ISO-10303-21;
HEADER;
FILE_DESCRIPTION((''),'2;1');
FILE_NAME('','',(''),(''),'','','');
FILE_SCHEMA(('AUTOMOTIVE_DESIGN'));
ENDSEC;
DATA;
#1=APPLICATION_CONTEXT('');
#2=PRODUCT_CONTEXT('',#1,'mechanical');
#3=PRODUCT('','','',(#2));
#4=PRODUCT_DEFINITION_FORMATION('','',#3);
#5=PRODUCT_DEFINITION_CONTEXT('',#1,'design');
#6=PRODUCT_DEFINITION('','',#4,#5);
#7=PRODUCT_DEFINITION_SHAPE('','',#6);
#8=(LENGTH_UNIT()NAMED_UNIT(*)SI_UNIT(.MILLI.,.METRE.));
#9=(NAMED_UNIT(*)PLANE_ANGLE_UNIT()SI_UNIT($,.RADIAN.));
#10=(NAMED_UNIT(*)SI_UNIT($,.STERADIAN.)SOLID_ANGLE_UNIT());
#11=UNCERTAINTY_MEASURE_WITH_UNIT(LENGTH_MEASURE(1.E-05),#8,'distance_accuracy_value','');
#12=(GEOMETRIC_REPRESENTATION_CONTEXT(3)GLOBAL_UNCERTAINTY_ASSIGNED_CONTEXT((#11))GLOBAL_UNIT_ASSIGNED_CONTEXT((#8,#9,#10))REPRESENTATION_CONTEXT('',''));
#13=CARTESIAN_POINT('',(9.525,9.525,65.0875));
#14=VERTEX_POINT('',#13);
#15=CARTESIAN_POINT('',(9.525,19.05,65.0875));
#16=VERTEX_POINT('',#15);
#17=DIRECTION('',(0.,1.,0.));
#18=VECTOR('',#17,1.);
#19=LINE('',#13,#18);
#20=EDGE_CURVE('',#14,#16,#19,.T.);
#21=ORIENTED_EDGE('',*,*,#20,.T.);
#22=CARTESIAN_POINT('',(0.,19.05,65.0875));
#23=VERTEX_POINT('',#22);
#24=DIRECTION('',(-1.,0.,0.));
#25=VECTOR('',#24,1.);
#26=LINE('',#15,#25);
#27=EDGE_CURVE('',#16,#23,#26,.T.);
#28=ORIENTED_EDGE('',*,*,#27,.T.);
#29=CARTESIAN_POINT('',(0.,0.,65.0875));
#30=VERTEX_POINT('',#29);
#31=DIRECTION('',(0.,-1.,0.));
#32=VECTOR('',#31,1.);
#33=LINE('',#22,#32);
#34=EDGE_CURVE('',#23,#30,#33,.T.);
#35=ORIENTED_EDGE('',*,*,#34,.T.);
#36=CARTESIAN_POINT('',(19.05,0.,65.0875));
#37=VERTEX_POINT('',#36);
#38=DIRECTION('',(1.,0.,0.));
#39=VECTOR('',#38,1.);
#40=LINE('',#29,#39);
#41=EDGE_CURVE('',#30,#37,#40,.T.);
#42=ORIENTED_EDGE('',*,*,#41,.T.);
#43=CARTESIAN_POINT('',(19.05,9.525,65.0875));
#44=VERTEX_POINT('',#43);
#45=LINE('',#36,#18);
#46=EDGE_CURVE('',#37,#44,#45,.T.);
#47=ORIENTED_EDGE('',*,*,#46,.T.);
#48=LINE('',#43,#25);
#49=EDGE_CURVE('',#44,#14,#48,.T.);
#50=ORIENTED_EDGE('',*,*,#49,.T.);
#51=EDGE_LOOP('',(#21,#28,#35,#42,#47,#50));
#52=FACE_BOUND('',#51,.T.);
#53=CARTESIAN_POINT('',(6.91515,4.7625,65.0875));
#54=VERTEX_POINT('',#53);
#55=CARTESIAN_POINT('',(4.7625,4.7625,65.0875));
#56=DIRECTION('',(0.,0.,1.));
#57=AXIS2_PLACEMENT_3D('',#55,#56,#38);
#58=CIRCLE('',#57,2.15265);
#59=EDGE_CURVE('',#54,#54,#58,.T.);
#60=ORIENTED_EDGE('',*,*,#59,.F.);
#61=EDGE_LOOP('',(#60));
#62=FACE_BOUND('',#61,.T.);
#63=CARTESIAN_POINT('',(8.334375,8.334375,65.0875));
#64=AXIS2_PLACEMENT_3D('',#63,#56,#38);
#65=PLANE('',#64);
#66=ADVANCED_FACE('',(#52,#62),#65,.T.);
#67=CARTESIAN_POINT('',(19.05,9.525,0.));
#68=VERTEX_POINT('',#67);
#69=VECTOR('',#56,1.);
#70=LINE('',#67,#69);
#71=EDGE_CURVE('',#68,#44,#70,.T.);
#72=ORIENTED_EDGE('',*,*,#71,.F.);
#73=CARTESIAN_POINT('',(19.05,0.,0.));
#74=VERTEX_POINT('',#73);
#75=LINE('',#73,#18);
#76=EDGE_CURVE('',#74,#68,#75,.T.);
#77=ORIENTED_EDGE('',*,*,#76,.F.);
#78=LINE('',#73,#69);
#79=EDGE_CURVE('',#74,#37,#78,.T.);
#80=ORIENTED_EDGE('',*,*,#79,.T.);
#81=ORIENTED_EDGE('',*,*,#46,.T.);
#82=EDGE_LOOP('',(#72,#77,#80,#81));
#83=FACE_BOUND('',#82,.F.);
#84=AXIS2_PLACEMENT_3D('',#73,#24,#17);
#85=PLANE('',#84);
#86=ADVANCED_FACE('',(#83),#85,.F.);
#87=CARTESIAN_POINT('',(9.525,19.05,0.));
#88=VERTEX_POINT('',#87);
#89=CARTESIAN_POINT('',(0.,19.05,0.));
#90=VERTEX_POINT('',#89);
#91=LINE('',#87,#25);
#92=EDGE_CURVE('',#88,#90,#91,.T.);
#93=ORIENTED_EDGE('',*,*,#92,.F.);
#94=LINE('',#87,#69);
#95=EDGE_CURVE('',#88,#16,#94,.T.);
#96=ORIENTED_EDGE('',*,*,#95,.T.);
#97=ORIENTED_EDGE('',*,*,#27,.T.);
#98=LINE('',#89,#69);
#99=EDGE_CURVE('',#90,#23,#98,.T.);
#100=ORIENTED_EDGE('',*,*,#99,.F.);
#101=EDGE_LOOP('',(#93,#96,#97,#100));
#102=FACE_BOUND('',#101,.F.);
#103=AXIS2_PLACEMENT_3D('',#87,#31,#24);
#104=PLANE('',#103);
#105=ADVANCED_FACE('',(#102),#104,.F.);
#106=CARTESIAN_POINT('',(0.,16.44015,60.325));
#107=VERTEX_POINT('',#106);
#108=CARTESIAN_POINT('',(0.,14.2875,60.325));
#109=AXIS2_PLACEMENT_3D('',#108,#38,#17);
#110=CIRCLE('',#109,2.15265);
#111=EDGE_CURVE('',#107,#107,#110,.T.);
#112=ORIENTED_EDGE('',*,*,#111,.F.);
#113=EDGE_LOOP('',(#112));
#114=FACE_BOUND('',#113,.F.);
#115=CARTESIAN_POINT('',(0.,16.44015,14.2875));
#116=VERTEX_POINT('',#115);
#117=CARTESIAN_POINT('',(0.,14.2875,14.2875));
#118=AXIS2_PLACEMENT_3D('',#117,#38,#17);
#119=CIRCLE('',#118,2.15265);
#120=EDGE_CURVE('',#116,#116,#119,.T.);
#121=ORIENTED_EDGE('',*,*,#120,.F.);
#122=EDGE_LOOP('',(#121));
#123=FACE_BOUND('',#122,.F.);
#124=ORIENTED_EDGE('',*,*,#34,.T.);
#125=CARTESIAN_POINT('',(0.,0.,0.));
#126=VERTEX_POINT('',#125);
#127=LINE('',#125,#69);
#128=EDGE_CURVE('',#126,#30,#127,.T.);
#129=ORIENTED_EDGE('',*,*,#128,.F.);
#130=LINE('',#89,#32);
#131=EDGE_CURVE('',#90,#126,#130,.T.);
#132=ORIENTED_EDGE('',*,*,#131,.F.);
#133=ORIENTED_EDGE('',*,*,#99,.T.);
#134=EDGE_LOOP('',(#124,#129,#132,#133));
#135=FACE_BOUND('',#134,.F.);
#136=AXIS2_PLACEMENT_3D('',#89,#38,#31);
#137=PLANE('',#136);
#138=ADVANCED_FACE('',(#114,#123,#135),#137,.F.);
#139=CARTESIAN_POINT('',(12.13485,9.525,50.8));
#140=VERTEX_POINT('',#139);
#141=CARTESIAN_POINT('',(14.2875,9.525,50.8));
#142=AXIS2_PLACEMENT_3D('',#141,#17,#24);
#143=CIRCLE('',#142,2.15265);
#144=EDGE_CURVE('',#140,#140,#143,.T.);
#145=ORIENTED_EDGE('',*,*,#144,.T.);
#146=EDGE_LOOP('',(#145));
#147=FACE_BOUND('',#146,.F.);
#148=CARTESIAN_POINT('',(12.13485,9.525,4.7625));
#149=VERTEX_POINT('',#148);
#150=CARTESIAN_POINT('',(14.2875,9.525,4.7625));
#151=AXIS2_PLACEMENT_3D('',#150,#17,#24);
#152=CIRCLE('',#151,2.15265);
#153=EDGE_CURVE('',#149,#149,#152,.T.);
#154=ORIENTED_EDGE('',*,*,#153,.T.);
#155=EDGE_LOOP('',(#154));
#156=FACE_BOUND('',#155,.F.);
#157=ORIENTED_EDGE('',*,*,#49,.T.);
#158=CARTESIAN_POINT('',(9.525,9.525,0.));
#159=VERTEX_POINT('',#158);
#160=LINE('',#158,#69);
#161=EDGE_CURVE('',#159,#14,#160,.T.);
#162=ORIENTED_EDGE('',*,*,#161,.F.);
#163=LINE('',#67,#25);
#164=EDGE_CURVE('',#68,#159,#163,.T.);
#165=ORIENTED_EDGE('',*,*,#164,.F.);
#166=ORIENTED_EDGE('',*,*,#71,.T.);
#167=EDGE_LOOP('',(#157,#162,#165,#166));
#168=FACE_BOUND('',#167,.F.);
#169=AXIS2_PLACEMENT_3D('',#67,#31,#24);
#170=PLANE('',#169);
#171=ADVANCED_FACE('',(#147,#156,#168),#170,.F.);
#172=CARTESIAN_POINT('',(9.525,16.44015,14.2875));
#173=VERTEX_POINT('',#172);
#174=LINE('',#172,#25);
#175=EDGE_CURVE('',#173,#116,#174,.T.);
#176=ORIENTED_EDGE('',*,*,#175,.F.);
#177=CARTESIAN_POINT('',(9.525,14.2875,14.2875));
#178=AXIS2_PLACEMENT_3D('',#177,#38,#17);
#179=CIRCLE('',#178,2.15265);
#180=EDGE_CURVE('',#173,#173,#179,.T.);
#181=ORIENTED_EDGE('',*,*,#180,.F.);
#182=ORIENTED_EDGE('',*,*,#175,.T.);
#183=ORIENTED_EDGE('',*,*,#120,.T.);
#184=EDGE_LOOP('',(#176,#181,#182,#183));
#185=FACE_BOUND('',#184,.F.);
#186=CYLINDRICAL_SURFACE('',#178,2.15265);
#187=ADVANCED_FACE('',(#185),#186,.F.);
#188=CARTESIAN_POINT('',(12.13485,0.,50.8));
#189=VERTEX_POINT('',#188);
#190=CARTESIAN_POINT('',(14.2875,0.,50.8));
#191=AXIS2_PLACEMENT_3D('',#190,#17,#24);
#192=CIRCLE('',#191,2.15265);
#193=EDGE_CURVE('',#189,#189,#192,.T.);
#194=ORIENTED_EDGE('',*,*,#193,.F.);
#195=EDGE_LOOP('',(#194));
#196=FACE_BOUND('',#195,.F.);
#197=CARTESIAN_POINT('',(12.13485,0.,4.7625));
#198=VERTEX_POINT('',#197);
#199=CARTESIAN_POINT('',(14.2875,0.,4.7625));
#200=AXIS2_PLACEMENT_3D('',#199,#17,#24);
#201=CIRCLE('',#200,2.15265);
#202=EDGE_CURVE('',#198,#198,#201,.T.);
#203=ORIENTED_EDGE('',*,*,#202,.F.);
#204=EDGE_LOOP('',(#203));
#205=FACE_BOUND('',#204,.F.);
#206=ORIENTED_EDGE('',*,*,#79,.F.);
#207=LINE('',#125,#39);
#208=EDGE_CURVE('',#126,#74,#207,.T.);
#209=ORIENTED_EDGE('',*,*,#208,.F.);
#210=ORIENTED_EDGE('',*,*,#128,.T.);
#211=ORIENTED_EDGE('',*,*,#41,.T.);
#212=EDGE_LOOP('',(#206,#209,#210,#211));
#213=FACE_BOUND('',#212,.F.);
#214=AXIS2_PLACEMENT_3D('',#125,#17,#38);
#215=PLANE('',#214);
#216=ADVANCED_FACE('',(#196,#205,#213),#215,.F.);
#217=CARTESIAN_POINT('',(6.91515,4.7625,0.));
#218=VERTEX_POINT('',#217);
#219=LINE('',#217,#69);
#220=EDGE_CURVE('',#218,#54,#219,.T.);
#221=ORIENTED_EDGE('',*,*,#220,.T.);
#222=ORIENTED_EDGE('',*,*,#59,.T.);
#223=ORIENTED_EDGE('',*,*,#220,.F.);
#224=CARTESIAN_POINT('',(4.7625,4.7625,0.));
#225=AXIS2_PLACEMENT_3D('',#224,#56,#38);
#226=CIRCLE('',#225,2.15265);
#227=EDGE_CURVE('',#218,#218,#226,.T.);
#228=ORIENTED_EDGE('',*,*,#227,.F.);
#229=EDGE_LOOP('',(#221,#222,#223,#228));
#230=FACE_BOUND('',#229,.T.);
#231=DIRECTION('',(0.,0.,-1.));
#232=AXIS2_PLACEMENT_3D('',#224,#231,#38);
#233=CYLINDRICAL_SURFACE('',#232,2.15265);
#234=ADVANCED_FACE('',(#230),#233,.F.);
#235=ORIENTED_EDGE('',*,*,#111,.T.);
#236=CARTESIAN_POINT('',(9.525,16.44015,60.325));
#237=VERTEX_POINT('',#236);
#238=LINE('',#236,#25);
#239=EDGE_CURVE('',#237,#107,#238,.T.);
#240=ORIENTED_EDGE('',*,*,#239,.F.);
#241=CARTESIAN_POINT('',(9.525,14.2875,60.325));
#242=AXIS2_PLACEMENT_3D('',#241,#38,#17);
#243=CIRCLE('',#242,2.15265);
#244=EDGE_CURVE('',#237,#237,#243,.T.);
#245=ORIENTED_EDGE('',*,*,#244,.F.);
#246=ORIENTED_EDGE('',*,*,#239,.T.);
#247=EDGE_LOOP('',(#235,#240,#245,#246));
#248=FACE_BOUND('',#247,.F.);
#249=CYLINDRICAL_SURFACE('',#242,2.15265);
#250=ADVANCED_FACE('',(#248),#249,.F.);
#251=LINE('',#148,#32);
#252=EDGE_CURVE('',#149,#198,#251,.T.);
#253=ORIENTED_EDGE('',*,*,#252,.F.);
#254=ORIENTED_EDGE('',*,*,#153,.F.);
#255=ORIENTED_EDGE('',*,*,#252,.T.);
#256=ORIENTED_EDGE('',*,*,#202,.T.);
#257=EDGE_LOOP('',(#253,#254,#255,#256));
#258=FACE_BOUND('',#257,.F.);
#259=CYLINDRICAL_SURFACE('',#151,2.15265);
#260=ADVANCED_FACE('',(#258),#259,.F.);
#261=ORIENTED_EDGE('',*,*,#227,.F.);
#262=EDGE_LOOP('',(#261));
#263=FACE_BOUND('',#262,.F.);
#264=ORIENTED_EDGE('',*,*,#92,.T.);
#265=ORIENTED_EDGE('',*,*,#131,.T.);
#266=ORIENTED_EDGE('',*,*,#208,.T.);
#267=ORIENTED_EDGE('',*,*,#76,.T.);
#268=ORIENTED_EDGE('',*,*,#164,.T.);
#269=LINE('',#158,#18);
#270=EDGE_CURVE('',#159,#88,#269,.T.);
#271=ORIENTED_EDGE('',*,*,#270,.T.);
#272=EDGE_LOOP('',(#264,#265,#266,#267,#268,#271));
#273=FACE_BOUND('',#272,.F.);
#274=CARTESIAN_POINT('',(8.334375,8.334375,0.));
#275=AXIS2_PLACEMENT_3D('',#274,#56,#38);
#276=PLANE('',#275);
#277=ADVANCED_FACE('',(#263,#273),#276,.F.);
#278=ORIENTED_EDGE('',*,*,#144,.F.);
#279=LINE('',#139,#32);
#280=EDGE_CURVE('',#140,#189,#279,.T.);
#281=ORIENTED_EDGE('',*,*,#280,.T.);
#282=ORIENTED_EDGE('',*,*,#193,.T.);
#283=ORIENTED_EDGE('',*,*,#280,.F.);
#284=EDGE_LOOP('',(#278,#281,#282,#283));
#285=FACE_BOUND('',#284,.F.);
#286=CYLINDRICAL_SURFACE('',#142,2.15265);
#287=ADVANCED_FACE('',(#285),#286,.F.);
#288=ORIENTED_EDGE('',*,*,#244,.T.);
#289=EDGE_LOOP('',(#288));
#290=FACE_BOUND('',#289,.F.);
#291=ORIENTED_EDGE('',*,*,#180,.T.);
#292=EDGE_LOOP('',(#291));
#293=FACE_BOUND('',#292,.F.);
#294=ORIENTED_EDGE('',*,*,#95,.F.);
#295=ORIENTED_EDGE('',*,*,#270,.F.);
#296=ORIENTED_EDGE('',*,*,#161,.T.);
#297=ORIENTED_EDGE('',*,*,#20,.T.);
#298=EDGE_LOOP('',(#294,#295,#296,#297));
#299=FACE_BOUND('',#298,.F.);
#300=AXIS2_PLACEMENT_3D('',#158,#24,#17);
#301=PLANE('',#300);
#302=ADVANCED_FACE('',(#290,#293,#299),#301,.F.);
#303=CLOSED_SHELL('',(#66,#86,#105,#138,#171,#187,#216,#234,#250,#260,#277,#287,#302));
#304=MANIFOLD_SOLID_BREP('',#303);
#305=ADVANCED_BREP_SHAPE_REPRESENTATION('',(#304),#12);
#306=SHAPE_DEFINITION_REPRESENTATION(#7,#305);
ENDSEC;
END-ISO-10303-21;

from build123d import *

# Parameters (mm, degrees)
F0_R     = 2.15265
F1_DEPTH = 65.0875
F2_R     = 2.15265
F3_DEPTH = 9.525
F4_R     = 2.15265
F5_DEPTH = 9.525


with BuildPart() as f1:
    # F0 (on Top) → F1 (new body)
    with BuildSketch(Plane.XY):
        Polygon((0, 19.05), (0, 0), (19.05, 0), (19.05, 9.525), (9.525, 9.525), (9.525, 19.05), align=None)
        with Locations((4.7625, 4.7625)):
            Circle(F0_R, mode=Mode.SUBTRACT)
    extrude(amount=F1_DEPTH)

    # F2 (on face) → F3 (cut, through all)
    with BuildSketch(Plane.YZ.offset(9.525)):
        with Locations((14.2875, 60.325)):
            Circle(F2_R)
        with Locations((14.2875, 14.2875)):
            Circle(F2_R)
    extrude(amount=-F3_DEPTH, mode=Mode.SUBTRACT)

    # F4 (on face) → F5 (cut, through all)
    with BuildSketch(Plane(origin=(0, 9.525, 0), x_dir=(-1, 0, 0), z_dir=(0, 1, 0))):
        with Locations((-14.2875, 50.8)):
            Circle(F4_R)
        with Locations((-14.2875, 4.7625)):
            Circle(F4_R)
    extrude(amount=-F5_DEPTH, mode=Mode.SUBTRACT)


solid = f1.part
